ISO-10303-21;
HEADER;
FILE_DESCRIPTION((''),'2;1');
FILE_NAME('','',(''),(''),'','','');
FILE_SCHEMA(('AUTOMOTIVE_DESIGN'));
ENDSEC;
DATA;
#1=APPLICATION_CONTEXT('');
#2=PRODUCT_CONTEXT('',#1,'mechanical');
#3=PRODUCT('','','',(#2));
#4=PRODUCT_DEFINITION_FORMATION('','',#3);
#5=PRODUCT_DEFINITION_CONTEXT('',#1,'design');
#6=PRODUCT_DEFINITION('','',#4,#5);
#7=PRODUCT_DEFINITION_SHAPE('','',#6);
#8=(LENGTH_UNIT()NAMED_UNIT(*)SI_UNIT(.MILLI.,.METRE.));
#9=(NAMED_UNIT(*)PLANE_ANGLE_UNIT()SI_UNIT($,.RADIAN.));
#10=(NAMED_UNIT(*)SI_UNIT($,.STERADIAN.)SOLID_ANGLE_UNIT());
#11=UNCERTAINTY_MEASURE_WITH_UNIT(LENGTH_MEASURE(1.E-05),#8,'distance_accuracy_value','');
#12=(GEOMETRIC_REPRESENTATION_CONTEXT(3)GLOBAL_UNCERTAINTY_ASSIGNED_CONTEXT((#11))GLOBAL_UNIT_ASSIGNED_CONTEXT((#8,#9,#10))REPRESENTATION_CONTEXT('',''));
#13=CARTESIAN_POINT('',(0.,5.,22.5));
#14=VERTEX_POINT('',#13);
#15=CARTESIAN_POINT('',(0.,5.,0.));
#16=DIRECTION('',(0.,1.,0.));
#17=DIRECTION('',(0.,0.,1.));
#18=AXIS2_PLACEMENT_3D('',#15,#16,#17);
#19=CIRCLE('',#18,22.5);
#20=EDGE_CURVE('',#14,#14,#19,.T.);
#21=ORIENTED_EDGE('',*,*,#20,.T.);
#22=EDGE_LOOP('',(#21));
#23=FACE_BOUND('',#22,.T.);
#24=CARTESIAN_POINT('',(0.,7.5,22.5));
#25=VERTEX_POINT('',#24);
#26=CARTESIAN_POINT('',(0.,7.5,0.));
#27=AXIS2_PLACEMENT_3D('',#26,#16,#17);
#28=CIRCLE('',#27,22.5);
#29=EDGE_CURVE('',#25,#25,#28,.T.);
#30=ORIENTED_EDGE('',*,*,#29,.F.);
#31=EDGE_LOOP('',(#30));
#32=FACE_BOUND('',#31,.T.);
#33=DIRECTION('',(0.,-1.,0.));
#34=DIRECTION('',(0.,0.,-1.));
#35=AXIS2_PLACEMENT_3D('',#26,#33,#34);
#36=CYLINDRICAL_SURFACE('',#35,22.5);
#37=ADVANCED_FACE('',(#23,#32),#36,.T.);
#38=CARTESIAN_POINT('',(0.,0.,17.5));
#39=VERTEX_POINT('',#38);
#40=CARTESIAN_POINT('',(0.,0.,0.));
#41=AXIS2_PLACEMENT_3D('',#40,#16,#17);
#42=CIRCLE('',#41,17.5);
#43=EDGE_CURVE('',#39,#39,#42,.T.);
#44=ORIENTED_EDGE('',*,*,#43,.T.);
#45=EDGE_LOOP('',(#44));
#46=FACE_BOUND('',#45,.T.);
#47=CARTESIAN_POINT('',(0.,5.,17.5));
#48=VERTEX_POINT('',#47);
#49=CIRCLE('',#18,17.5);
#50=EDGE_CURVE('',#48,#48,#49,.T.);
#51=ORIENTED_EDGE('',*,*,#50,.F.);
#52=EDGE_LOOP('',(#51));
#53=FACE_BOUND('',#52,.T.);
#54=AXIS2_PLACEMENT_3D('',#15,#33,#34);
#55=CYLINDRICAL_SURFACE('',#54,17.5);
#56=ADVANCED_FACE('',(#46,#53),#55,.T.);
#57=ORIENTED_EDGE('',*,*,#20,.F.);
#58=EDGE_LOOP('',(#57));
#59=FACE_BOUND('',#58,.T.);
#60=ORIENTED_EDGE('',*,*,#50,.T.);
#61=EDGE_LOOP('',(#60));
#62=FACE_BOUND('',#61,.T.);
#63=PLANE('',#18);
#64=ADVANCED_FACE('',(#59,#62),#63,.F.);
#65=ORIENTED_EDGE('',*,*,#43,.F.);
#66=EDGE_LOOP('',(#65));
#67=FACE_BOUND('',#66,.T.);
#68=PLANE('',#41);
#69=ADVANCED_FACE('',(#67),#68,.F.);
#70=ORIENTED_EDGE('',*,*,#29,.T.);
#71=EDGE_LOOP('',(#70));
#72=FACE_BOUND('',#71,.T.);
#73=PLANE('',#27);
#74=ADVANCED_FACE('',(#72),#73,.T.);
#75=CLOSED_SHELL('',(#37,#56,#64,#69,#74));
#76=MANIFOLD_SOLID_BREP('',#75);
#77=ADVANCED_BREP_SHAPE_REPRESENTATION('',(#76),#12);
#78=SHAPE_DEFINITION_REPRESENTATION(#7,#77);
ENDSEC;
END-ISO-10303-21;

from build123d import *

# Parameters (mm, degrees)
SKETCH1_R           = 17.5
BOSS_EXTRUDE1_DEPTH = 5
SKETCH2_R           = 22.5
BOSS_EXTRUDE2_DEPTH = 2.5


with BuildPart() as part:
    # Sketch1 → Boss-Extrude1 (new body)
    with BuildSketch(Plane(origin=(0, 0, 0), x_dir=(1, 0, 0), z_dir=(0, 1, 0))):
        Circle(SKETCH1_R)
    extrude(amount=BOSS_EXTRUDE1_DEPTH)

    # Sketch2 → Boss-Extrude2 (add)
    with BuildSketch(Plane(origin=(0, 5, 0), x_dir=(1, 0, 0), z_dir=(0, 1, 0))):
        Circle(SKETCH2_R)
    extrude(amount=BOSS_EXTRUDE2_DEPTH)


solid = part.part
